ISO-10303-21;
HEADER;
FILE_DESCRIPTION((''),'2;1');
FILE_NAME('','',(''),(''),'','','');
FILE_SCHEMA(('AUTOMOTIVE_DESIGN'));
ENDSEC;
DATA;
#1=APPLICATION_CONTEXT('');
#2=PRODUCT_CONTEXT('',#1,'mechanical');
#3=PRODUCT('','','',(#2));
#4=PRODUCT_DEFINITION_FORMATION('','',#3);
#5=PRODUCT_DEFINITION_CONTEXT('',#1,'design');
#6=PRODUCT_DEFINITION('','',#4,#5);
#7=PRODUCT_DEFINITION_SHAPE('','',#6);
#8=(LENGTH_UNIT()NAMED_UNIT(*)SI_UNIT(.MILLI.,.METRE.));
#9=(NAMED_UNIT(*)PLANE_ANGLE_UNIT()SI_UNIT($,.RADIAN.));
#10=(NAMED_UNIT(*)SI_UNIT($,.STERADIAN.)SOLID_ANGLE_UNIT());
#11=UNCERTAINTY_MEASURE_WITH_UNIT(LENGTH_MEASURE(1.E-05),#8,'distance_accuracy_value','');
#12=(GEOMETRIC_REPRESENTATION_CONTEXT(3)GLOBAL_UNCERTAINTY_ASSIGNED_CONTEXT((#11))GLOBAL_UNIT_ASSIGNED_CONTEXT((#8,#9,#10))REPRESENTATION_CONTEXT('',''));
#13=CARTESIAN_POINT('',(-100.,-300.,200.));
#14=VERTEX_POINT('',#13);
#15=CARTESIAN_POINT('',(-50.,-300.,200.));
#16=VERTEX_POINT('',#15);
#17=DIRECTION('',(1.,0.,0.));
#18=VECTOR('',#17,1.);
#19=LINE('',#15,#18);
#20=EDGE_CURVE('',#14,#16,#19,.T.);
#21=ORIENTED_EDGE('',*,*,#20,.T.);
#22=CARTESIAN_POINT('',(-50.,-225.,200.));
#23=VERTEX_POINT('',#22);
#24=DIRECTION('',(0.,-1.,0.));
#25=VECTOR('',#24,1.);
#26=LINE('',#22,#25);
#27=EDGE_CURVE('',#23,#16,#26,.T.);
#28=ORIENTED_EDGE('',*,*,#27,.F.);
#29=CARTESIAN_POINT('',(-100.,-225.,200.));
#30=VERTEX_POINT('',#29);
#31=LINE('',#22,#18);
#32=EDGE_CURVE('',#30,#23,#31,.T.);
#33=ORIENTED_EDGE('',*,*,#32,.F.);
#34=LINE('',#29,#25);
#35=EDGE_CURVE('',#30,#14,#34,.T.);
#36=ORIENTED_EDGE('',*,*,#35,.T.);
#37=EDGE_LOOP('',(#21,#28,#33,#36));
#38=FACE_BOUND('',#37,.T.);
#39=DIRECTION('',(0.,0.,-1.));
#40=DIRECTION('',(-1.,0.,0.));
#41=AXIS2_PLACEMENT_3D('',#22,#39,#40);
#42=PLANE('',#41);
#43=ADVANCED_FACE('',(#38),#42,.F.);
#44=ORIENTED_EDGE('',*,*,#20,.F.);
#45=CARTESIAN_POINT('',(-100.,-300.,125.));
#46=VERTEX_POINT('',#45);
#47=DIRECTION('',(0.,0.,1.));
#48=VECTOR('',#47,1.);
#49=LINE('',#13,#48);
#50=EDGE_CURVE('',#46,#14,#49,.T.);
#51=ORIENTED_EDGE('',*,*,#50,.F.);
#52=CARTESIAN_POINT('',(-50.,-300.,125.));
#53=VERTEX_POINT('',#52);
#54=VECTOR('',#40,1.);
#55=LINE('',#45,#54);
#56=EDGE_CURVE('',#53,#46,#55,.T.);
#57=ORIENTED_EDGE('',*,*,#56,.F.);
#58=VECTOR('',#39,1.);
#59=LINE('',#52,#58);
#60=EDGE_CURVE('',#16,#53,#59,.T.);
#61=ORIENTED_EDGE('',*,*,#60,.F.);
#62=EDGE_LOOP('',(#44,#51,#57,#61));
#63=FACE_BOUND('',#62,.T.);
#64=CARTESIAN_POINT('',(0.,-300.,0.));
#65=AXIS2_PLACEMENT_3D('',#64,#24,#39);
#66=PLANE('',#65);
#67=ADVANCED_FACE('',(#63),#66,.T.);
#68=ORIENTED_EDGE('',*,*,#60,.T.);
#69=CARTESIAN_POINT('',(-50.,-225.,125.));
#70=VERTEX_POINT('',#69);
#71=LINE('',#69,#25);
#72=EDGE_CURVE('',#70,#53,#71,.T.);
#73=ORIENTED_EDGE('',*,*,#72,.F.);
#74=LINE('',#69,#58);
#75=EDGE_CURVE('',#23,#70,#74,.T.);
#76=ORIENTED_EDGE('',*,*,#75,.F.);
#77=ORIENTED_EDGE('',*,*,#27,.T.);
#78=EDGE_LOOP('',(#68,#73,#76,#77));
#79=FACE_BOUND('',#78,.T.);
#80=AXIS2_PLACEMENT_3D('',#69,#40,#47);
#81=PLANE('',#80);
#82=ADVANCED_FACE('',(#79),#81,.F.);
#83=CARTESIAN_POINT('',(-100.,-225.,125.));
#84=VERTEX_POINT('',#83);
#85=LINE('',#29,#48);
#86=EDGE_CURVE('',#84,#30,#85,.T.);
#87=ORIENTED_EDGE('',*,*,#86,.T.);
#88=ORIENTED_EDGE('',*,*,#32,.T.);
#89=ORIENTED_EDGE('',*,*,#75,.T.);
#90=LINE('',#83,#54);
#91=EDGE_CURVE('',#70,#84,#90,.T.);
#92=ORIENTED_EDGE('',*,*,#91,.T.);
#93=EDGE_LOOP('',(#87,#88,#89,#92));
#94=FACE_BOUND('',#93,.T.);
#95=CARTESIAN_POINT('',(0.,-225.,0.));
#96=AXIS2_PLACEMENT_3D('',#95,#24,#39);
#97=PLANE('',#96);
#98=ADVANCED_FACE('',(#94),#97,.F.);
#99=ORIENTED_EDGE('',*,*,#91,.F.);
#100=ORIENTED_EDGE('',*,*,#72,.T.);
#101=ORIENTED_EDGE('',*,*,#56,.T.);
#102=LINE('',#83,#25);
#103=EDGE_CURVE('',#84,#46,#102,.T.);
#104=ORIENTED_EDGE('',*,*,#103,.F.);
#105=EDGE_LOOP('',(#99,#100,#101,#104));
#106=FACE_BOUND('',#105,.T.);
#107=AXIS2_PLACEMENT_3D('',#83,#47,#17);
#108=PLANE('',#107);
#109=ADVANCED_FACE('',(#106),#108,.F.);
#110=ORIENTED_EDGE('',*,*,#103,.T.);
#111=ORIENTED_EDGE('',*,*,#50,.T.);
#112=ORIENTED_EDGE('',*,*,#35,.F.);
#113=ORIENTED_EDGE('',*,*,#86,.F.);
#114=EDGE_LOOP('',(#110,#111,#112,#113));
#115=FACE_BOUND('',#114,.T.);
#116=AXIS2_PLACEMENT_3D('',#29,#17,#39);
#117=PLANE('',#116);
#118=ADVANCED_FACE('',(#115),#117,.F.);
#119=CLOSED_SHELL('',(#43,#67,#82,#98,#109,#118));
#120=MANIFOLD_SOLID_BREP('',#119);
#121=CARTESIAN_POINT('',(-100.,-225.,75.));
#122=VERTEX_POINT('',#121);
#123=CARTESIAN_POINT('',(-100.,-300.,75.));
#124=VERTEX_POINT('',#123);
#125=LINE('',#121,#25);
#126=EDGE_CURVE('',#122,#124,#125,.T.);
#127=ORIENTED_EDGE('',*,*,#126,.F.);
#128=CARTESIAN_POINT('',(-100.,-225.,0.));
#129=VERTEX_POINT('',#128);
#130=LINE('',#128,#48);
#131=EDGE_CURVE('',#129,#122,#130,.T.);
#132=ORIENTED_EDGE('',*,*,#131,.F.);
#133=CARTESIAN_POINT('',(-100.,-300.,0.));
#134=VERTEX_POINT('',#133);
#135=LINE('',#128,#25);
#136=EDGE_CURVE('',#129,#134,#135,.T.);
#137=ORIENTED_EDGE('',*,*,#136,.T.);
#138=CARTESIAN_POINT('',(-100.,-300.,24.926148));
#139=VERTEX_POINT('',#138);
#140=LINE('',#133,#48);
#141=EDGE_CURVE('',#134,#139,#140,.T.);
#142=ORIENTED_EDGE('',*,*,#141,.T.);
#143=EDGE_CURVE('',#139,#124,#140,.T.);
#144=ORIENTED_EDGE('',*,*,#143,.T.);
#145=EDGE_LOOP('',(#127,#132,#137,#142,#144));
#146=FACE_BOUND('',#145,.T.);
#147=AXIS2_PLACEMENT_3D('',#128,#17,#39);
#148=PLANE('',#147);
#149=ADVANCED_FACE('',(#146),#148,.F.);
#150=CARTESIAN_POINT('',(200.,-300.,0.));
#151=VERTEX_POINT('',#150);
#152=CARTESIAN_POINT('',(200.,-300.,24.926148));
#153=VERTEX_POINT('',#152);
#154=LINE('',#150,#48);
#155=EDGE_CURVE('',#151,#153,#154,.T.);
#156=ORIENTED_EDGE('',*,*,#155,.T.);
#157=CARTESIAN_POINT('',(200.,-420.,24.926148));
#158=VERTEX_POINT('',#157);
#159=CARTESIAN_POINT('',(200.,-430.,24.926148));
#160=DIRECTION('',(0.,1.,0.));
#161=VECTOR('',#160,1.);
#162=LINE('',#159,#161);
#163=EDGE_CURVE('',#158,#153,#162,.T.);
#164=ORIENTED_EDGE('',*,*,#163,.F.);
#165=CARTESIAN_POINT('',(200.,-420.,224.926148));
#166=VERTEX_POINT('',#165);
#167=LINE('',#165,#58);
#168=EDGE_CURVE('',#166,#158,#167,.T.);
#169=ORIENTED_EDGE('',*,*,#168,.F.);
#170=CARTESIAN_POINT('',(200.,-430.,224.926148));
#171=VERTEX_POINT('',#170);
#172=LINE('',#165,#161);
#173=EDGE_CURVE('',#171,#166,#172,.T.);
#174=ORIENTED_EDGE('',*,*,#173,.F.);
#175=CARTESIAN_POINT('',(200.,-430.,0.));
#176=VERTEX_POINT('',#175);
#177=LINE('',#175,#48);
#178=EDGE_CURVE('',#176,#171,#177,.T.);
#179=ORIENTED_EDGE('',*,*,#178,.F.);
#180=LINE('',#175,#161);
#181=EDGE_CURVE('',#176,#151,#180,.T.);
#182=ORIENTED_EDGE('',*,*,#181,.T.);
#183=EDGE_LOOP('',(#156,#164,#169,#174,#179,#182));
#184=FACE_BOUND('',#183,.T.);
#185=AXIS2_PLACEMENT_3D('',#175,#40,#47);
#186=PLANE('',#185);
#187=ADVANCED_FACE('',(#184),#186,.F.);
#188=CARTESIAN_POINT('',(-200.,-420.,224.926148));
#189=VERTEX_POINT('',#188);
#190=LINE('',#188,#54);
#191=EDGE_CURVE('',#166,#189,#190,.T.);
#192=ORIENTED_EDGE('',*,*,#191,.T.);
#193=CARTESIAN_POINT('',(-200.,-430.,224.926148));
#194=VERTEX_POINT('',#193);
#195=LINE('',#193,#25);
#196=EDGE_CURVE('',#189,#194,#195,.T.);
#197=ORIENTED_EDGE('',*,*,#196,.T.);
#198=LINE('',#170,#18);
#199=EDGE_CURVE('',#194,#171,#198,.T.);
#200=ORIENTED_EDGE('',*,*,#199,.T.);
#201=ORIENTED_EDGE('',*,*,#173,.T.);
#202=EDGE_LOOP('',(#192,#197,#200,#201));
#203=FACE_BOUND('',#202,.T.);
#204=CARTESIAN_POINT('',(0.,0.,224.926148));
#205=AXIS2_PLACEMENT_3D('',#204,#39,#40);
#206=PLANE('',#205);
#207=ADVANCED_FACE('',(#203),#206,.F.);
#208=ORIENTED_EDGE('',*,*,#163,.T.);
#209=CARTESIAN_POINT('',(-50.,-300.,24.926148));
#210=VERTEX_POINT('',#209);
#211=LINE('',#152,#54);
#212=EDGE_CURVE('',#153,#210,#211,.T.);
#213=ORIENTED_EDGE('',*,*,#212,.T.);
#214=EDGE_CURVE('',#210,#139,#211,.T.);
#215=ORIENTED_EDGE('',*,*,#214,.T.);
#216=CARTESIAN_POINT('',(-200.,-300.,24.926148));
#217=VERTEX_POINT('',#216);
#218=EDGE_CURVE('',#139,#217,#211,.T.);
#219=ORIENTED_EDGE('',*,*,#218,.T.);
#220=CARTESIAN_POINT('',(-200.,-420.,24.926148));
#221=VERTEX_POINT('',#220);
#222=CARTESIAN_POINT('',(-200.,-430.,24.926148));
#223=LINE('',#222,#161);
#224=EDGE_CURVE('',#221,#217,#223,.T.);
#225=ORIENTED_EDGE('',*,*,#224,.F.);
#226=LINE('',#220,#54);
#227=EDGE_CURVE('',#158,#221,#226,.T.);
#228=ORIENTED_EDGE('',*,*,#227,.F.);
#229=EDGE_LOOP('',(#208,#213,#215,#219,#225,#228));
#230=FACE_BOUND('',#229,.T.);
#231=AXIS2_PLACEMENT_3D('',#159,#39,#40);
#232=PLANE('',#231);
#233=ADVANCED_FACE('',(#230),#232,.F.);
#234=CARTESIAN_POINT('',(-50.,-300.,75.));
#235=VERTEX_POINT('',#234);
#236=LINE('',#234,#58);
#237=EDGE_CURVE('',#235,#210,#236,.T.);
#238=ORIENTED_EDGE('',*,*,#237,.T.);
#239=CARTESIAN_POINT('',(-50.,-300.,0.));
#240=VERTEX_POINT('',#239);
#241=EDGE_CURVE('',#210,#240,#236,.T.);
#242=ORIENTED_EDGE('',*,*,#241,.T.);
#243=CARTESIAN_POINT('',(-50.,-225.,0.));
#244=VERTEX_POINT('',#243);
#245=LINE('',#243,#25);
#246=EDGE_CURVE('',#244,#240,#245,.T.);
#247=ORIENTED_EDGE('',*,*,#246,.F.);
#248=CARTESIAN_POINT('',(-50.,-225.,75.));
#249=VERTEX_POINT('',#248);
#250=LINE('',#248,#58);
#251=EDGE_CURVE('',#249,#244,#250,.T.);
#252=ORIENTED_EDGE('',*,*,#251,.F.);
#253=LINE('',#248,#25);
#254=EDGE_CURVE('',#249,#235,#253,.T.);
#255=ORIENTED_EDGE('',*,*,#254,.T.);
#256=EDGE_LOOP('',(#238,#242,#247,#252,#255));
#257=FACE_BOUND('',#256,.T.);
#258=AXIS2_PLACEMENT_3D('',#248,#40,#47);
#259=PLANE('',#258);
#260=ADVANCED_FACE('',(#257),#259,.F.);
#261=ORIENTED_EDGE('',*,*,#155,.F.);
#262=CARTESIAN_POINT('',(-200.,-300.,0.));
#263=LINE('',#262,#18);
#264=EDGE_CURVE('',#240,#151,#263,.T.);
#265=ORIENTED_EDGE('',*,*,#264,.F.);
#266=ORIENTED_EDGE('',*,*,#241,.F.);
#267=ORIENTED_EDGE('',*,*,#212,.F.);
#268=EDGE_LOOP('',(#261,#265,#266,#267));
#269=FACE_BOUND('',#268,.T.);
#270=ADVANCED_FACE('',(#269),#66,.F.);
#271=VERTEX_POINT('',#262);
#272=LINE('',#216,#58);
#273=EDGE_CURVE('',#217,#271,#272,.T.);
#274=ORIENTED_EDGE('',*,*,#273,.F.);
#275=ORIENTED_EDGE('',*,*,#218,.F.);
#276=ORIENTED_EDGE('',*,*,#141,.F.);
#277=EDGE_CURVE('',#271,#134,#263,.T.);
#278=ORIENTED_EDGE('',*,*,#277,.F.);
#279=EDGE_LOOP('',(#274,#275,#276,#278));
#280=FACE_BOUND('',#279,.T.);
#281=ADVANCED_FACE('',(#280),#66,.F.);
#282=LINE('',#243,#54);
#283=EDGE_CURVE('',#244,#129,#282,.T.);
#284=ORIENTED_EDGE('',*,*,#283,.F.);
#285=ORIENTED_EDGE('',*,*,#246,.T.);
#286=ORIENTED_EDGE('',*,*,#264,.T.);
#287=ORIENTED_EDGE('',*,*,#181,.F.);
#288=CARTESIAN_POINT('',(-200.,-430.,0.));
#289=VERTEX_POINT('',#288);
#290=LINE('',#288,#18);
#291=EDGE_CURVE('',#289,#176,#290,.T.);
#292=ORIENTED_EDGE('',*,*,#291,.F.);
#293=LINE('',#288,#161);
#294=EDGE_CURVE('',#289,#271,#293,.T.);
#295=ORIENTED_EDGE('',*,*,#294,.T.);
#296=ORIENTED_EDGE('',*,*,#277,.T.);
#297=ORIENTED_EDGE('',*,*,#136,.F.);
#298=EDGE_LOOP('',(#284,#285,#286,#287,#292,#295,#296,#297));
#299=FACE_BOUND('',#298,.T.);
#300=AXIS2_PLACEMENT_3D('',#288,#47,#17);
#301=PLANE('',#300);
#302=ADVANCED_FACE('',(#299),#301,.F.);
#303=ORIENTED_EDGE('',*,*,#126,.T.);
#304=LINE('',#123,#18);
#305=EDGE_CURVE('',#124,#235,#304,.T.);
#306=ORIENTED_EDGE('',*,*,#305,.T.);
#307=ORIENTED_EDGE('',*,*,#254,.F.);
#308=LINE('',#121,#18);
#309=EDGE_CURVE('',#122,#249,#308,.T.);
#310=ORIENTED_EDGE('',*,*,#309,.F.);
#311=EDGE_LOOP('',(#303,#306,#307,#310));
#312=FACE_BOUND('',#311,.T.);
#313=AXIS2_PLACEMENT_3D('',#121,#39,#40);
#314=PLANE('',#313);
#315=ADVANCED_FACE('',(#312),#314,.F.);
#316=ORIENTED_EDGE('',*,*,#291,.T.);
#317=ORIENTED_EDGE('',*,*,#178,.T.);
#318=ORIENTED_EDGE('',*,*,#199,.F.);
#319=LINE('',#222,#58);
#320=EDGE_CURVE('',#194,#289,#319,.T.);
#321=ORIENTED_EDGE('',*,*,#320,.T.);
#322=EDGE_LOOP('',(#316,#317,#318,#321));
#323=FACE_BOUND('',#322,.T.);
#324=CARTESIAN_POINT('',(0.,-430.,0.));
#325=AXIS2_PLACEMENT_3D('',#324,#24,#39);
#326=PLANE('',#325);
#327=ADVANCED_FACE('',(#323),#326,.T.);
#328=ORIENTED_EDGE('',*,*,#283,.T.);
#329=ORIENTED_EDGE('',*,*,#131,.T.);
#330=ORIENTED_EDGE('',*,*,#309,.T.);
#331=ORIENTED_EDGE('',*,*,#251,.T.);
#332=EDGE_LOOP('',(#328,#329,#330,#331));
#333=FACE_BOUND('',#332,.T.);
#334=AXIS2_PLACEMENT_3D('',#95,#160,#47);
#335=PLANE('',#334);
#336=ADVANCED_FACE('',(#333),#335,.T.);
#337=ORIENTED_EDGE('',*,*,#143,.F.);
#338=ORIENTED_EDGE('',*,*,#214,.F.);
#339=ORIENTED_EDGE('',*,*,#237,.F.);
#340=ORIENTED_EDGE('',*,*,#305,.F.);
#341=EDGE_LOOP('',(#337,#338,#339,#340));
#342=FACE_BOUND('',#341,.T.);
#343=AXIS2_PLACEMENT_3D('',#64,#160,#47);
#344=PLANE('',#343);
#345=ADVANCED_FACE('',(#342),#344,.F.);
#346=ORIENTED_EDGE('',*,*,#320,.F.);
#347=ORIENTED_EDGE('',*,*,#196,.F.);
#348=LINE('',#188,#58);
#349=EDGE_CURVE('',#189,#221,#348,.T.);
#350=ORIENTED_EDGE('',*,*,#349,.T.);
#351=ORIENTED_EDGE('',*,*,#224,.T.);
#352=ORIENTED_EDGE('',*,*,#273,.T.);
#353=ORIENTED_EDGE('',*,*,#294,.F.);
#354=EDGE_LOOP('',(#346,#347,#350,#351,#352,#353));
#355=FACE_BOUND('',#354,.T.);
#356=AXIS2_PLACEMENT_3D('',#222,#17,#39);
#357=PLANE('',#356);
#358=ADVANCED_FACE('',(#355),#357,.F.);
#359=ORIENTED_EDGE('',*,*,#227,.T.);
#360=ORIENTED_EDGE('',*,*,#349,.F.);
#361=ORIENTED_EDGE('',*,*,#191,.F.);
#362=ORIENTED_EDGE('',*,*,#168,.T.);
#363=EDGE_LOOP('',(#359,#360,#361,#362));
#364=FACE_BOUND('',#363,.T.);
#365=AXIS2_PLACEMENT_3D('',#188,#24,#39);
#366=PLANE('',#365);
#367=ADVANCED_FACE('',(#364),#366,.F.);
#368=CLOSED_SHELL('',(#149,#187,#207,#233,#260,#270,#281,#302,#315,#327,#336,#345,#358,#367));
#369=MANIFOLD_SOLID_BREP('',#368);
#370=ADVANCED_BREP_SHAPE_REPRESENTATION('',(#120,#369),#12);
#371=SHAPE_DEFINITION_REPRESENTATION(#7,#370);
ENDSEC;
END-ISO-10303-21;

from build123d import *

# Parameters (mm, degrees)
SKETCH4_W           = 400
SKETCH4_H           = 24.926147639
BOSS_EXTRUDE1_DEPTH = 130
SKETCH5_W           = 400
SKETCH5_H           = 10
BOSS_EXTRUDE2_DEPTH = 200
SKETCH12_W          = 50
SKETCH12_H          = 75
BOSS_EXTRUDE3_DEPTH = 75


with BuildPart() as part:
    # Sketch4 → Boss-Extrude1 (new body)
    with BuildSketch(Plane.XZ.offset(300)):
        with Locations((0, 12.463073819)):
            Rectangle(SKETCH4_W, SKETCH4_H)
    extrude(amount=BOSS_EXTRUDE1_DEPTH)

    # Sketch5 → Boss-Extrude2 (add)
    with BuildSketch(Plane.XY.offset(24.926147639)):
        with Locations((0, -425)):
            Rectangle(SKETCH5_W, SKETCH5_H)
    extrude(amount=BOSS_EXTRUDE2_DEPTH)

    # Sketch12 → Boss-Extrude3 (add)
    with BuildSketch(Plane(origin=(0, -300, 0), x_dir=(1, 0, 0), z_dir=(0, 1, 0))):
        with Locations((-75, -162.5)):
            Rectangle(SKETCH12_W, SKETCH12_H)
        with Locations((-75, -37.5)):
            Rectangle(SKETCH12_W, SKETCH12_H)
    extrude(amount=BOSS_EXTRUDE3_DEPTH)


with BuildPart() as boss_extrude3_piece_1:
    # of the separate pieces the step leaves, piece 1, a body of its own (boss_extrude3_pieces)
    add(part.part.solids().sort_by_distance((-200, -300, 0))[0])


with BuildPart() as boss_extrude3_piece_2:
    # of the separate pieces the step leaves, piece 2, a body of its own (boss_extrude3_pieces)
    add(part.part.solids().sort_by_distance((-100, -300, 125))[0])


solid = Compound([boss_extrude3_piece_1.part, boss_extrude3_piece_2.part])
